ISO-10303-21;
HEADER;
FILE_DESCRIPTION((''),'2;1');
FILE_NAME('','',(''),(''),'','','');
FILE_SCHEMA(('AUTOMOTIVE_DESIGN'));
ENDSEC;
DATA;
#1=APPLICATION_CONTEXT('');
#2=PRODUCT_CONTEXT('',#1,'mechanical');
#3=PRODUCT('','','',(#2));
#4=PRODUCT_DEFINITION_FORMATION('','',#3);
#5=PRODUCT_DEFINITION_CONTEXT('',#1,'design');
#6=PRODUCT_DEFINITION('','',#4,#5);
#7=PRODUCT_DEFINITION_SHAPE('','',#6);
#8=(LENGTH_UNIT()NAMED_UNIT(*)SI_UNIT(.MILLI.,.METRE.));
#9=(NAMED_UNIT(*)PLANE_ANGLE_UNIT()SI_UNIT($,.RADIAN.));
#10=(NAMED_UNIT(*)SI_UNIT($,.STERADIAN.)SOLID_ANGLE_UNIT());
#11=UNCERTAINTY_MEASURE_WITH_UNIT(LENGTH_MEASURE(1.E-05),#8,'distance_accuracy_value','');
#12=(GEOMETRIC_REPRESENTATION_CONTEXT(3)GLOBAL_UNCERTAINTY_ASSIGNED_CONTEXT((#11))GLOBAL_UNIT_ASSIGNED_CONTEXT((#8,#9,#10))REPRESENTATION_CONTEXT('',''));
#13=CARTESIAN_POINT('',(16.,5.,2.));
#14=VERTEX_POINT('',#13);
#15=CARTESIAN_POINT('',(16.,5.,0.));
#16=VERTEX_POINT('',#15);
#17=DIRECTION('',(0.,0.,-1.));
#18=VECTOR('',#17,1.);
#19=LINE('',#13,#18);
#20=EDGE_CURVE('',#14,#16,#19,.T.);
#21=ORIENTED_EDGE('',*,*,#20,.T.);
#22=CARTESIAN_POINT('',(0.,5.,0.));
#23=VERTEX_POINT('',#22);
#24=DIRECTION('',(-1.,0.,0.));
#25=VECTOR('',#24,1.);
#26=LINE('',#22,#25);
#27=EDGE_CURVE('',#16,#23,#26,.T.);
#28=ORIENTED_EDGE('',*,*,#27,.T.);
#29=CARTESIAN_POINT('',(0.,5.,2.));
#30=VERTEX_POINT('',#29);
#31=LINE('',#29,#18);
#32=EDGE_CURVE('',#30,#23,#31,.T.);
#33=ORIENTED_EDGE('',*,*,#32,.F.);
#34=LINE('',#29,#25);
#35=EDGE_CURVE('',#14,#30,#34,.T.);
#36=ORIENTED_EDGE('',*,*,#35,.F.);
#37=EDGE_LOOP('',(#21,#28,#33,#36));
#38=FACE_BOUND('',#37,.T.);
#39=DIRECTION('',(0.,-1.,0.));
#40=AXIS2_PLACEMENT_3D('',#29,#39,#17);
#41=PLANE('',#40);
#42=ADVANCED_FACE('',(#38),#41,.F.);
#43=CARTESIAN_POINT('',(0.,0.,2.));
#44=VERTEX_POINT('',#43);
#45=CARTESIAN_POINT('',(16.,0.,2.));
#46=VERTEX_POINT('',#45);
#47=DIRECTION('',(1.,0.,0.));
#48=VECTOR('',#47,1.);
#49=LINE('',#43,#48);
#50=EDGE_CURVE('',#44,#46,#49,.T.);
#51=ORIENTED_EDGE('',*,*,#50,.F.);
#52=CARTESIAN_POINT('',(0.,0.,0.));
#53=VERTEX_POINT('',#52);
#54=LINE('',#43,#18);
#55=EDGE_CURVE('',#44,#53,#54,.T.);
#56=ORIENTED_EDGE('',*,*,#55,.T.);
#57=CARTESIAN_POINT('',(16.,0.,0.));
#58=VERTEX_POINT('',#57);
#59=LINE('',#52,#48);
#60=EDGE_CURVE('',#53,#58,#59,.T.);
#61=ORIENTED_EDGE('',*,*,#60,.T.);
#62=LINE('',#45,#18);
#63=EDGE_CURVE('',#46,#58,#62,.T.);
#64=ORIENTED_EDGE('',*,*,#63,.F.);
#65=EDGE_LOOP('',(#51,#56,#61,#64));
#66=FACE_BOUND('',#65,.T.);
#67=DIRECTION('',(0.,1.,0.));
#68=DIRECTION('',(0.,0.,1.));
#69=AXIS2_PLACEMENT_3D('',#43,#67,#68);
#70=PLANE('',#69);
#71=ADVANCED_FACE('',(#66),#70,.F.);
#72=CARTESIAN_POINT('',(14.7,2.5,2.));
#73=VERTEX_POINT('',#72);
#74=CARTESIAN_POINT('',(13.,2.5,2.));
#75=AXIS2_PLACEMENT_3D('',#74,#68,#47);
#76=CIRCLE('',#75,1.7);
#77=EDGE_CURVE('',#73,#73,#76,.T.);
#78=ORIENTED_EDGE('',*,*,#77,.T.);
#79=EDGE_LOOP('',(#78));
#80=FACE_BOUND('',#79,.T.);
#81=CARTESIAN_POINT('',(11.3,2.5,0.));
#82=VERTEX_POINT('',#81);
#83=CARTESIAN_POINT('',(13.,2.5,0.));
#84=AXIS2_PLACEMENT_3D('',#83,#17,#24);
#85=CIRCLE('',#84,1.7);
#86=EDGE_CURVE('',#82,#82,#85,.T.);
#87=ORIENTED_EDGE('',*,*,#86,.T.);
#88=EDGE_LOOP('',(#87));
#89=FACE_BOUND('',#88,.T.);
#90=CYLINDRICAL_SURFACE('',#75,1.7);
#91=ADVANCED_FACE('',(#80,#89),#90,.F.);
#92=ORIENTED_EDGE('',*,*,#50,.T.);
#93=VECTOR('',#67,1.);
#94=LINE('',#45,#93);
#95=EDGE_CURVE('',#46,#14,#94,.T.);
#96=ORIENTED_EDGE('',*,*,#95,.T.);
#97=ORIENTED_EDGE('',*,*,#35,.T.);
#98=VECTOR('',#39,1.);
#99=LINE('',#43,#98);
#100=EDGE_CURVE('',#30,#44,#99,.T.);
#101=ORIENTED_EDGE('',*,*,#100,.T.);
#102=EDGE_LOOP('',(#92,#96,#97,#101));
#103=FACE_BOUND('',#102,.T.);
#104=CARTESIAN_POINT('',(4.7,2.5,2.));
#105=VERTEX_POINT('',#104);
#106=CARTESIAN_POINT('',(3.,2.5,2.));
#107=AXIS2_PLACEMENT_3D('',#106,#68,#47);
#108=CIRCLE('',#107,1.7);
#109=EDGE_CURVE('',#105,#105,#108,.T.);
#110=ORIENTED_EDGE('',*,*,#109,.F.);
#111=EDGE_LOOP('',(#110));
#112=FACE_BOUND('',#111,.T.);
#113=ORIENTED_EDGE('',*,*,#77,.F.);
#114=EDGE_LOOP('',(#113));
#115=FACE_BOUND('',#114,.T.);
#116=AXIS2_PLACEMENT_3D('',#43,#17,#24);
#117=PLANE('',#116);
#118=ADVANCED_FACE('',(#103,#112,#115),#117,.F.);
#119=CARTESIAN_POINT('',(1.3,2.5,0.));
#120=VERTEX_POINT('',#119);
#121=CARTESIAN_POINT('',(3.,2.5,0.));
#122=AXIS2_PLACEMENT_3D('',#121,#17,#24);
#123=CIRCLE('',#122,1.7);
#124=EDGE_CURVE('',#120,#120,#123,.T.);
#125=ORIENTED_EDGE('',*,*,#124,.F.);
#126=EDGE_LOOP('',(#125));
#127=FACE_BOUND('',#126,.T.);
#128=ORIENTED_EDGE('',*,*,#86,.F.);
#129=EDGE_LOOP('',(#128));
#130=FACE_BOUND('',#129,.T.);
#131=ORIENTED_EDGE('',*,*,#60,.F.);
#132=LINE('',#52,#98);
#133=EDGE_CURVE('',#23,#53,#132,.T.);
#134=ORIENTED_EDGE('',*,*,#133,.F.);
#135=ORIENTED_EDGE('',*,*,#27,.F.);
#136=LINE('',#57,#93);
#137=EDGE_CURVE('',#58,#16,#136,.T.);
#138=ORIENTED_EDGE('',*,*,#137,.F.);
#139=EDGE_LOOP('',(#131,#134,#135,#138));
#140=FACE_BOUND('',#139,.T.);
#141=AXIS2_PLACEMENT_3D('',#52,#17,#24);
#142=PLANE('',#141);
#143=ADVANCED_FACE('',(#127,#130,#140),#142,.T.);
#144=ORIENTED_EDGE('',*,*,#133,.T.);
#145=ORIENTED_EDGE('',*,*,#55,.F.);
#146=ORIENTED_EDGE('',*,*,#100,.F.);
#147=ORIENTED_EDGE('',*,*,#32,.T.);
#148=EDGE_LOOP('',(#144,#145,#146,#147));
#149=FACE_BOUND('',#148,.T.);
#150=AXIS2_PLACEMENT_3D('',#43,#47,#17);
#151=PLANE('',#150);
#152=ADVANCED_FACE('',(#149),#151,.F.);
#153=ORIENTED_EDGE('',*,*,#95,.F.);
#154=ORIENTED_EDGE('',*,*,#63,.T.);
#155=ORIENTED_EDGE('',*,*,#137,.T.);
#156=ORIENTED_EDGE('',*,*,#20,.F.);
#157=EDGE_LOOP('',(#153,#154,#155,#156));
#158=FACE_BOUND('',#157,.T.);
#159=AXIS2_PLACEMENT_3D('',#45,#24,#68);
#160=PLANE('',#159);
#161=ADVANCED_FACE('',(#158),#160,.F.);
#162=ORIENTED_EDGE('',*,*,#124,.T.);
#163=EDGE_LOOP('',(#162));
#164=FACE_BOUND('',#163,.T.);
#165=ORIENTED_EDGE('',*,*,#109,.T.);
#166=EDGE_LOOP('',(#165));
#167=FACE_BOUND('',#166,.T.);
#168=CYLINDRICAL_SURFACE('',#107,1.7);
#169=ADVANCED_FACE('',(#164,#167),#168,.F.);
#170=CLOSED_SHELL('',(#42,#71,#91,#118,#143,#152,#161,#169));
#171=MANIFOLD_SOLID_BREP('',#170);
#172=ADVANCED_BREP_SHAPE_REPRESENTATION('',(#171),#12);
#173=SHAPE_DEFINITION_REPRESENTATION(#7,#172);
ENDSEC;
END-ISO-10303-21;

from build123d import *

# Parameters (mm, degrees)
SKIZZE1_W                       = 16
SKIZZE1_H                       = 5
AUFSATZ_LINEAR_AUSTRAGEN1_DEPTH = 2
DURCHGANGSLOCH_F_R_M31_D        = 3.4


with BuildPart() as part:
    # Skizze1 → Aufsatz-Linear austragen1 (new body)
    with BuildSketch(Plane.XY):
        with Locations((8, 2.5)):
            Rectangle(SKIZZE1_W, SKIZZE1_H)
    extrude(amount=AUFSATZ_LINEAR_AUSTRAGEN1_DEPTH)

    # Durchgangsloch für M31 (through all)
    with Locations(Plane.XY.offset(2)):
        with Locations((3, 2.5), (13, 2.5)):
            Hole(DURCHGANGSLOCH_F_R_M31_D / 2)


solid = part.part
